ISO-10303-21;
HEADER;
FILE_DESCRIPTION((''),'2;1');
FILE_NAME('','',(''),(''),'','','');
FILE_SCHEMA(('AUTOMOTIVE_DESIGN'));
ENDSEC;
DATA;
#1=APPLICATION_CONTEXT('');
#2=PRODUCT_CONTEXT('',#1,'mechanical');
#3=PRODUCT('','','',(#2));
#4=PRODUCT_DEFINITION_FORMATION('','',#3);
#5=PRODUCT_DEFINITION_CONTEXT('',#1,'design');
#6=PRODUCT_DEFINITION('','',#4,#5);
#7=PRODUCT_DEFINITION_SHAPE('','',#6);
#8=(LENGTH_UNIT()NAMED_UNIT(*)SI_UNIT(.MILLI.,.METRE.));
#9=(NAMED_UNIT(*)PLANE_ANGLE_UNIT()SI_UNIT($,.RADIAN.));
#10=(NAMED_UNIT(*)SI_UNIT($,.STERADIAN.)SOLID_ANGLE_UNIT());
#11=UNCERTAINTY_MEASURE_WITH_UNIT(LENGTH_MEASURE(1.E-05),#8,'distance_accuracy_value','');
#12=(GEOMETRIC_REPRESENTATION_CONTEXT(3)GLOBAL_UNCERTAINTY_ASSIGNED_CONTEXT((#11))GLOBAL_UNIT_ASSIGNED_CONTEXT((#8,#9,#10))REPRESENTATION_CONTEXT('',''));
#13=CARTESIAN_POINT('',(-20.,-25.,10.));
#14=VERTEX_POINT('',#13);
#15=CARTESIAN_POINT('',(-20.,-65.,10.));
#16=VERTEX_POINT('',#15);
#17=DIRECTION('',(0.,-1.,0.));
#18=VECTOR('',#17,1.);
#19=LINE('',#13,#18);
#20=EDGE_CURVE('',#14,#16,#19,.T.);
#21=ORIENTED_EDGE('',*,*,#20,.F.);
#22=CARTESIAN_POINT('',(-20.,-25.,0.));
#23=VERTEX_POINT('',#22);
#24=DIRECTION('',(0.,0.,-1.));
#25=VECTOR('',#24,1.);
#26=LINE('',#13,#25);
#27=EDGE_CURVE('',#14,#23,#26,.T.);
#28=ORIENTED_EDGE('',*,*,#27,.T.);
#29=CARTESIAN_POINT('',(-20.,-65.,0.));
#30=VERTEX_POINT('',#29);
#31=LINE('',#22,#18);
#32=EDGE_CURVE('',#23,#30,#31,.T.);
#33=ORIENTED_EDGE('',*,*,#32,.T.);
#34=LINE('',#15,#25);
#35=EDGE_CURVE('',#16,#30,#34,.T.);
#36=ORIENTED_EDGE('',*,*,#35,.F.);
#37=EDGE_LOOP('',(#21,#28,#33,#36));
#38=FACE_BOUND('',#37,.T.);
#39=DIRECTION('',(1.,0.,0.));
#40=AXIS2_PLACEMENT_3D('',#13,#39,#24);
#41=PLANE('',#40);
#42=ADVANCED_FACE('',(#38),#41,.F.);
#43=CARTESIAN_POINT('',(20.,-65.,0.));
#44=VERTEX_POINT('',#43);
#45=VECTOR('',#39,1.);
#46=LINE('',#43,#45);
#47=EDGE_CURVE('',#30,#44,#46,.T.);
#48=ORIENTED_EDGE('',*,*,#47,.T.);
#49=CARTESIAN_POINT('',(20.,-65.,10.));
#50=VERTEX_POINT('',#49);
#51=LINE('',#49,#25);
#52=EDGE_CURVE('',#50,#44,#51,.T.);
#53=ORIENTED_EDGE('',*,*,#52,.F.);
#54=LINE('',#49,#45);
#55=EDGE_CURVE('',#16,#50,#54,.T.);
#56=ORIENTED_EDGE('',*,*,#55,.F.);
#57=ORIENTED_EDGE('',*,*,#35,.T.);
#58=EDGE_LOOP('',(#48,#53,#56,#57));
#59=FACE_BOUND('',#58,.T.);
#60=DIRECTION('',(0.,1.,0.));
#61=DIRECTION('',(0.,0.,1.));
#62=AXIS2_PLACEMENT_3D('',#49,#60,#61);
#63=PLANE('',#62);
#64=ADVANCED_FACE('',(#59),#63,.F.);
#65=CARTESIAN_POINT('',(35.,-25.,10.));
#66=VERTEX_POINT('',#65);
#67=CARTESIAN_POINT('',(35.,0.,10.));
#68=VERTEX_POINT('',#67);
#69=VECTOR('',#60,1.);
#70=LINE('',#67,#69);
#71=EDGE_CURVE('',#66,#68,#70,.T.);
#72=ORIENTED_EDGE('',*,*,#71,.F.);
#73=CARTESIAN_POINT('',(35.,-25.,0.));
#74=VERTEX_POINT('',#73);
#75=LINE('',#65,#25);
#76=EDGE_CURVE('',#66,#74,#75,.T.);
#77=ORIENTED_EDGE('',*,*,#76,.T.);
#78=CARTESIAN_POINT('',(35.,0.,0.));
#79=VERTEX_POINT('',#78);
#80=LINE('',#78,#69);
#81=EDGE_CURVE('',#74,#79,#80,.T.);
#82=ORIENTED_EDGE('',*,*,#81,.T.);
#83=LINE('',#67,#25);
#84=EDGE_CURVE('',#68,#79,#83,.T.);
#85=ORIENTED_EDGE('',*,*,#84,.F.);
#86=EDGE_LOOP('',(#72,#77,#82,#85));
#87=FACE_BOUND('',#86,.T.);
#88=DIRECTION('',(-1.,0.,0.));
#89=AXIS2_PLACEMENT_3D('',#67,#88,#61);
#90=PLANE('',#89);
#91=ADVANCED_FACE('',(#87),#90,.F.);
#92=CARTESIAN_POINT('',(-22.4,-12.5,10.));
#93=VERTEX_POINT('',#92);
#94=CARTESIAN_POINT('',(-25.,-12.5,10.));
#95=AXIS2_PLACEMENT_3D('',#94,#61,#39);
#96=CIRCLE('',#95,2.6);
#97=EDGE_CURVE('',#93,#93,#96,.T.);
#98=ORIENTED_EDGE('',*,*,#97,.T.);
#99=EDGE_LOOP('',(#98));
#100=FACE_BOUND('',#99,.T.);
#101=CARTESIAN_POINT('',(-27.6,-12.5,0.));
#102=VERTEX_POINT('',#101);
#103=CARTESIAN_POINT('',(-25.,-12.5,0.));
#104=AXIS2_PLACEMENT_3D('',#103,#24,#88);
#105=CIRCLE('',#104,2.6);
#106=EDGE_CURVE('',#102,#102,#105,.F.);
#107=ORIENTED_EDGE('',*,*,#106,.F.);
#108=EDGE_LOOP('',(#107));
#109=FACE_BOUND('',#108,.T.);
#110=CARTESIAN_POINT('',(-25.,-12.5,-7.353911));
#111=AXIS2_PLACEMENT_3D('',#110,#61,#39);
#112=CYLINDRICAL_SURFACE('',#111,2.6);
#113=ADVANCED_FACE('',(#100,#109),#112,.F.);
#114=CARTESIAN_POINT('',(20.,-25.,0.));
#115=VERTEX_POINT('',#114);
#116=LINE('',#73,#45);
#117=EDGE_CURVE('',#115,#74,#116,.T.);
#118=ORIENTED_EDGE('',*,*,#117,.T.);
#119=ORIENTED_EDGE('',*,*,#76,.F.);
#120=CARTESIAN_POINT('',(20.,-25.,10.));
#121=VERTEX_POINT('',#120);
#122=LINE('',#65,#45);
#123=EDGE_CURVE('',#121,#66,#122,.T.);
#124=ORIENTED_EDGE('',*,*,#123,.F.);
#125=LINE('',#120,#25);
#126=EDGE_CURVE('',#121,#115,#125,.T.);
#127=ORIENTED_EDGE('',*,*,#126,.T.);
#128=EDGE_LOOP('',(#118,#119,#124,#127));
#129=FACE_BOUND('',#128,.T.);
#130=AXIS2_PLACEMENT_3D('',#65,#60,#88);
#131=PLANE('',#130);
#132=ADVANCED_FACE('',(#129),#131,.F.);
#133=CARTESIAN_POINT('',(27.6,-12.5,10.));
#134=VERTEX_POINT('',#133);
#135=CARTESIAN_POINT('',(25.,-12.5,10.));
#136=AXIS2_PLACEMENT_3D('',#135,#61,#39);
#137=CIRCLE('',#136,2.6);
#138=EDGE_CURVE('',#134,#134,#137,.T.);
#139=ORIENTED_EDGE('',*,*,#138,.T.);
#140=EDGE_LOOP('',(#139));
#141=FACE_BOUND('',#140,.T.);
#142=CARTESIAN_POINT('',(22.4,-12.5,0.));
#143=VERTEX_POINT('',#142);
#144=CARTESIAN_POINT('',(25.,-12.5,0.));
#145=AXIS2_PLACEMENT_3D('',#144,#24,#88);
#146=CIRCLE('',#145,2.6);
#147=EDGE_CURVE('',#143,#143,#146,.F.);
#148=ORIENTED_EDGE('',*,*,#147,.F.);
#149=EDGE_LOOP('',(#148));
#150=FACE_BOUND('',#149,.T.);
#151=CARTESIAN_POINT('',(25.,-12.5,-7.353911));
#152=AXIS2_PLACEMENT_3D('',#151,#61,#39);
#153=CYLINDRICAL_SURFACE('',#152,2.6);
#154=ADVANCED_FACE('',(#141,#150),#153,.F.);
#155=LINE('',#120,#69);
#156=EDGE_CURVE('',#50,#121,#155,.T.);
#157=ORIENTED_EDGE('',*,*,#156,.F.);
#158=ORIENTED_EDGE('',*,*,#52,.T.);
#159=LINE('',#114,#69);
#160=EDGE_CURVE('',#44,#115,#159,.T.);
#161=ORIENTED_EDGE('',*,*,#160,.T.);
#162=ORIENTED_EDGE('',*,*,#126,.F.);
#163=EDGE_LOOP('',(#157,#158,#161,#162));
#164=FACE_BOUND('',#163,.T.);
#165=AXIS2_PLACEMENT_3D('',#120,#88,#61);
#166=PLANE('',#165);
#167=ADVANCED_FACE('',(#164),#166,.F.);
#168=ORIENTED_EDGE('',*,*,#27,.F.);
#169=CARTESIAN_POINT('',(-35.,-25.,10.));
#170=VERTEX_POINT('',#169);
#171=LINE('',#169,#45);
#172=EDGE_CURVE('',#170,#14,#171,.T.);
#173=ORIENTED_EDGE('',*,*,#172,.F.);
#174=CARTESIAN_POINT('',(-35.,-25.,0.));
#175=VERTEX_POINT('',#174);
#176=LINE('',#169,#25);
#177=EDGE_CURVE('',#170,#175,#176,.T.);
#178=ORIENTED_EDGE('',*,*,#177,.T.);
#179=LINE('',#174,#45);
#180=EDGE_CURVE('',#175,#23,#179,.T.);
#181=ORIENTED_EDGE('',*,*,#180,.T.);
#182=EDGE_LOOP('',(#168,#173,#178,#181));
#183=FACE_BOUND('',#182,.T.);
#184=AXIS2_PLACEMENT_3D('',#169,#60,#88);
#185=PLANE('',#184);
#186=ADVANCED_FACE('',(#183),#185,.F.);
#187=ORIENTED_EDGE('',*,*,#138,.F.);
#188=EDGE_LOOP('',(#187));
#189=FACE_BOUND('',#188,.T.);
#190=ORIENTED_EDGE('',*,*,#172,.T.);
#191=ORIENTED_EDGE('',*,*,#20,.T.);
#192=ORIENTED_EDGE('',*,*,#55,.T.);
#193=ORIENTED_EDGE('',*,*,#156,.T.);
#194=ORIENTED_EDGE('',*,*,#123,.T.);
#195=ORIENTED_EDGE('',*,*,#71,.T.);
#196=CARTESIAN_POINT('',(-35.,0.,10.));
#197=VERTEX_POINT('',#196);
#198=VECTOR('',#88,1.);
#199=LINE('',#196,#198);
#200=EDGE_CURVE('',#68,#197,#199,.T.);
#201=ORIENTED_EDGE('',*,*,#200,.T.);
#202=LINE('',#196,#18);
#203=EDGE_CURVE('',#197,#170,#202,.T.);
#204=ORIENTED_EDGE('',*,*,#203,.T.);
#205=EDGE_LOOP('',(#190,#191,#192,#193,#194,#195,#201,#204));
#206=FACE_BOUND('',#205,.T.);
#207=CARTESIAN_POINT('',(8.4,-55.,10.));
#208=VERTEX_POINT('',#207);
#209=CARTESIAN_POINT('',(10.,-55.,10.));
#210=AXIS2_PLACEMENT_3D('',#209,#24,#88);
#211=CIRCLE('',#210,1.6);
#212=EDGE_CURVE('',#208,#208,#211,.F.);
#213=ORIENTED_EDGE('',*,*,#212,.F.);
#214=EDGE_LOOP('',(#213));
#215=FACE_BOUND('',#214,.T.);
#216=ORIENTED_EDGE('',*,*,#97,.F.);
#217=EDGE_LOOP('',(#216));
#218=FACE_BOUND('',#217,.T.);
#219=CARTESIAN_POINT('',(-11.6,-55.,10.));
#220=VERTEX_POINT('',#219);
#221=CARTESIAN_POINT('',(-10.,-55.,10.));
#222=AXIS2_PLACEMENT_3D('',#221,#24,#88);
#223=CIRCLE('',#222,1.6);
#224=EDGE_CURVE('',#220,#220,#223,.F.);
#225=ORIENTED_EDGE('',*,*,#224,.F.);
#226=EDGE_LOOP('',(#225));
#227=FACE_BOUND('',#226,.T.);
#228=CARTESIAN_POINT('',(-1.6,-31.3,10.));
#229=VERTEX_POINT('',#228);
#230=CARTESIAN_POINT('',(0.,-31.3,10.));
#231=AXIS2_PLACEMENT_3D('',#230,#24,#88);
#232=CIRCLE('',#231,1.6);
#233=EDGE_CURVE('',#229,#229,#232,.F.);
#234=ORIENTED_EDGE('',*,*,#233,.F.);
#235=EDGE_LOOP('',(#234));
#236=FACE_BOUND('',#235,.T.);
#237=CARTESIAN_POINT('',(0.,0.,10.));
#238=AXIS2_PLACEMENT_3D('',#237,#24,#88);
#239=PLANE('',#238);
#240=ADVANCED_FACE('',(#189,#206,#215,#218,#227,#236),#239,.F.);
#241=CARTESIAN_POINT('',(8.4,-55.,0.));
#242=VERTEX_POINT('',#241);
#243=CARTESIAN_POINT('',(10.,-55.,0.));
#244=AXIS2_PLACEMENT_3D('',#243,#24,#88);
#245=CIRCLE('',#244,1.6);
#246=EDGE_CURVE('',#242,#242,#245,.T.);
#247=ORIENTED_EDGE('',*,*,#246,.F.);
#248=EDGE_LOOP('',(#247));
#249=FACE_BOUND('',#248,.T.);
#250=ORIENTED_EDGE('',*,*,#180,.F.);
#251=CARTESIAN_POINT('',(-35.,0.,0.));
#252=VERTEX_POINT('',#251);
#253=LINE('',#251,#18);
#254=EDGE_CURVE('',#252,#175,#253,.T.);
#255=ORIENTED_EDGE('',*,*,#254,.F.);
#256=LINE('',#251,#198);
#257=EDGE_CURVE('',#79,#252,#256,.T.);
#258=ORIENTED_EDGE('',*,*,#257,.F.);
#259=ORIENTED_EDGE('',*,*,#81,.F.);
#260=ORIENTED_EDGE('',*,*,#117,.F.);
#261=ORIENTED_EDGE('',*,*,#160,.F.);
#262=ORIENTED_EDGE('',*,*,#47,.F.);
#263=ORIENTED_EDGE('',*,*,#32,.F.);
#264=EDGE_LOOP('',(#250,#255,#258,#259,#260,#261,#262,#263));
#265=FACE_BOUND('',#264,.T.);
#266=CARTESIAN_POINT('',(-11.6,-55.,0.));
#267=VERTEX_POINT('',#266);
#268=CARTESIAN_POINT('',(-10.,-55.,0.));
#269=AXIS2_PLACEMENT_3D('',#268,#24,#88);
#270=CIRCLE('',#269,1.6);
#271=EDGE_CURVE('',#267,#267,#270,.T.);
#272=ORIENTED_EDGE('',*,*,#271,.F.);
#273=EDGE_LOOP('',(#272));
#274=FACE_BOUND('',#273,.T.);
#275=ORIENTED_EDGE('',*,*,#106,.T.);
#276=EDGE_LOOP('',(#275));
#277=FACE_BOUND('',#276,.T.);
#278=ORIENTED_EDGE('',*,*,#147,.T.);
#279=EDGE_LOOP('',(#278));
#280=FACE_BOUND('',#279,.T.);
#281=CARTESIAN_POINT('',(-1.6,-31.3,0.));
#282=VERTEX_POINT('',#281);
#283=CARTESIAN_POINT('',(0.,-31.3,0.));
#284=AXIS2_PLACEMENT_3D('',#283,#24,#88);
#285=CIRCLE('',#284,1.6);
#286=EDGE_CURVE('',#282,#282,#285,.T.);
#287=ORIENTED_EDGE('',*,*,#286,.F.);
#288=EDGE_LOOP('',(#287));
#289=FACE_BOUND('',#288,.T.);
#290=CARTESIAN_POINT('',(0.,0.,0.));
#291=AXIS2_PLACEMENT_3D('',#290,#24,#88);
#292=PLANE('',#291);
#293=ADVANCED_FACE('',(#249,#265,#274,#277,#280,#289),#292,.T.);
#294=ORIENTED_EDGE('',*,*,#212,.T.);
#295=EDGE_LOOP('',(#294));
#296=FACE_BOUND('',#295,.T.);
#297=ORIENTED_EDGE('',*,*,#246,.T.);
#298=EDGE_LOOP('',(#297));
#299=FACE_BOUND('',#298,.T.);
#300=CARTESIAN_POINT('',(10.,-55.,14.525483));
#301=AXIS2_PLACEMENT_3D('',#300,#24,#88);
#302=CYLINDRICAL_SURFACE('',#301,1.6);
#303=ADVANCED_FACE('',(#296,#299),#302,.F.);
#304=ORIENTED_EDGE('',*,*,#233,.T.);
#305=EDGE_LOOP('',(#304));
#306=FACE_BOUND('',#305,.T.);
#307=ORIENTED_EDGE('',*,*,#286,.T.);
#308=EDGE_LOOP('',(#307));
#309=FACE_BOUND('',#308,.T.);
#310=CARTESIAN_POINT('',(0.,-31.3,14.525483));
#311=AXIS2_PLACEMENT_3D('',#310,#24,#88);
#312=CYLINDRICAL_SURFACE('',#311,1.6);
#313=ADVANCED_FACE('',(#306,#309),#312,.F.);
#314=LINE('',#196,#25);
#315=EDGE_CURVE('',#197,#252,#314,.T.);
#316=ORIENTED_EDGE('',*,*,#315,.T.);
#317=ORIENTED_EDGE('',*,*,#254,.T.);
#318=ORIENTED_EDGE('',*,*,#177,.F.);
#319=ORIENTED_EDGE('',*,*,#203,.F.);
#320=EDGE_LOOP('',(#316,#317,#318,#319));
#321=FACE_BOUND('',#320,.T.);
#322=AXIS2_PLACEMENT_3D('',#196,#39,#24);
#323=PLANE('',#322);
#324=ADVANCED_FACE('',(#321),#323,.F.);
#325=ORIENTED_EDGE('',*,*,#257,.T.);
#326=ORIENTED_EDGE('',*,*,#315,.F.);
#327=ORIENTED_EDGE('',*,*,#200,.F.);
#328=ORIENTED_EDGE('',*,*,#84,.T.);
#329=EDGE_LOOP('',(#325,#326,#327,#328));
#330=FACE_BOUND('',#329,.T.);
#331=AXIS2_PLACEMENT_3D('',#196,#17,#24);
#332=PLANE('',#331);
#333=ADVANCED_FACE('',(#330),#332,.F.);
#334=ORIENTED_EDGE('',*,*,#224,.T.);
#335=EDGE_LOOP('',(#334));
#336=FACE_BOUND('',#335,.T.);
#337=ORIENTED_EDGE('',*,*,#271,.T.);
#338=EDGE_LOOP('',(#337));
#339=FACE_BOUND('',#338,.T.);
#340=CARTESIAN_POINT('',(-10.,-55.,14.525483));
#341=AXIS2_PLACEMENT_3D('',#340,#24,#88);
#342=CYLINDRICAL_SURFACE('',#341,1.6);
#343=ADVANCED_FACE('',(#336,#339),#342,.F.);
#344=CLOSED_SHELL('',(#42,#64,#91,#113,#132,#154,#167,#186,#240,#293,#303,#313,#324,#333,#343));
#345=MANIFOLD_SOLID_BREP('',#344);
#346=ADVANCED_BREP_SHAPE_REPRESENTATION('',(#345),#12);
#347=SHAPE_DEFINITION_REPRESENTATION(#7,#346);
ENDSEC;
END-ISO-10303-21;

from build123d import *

# Parameters (mm, degrees)
BOSS_EXTRUDE1_DEPTH = 10
SKETCH6_R           = 1.6
CUT_EXTRUDE1_DEPTH  = 10
SKETCH7_R           = 1.6
CUT_EXTRUDE2_DEPTH  = 10
SKETCH9_R           = 2.6
CUT_EXTRUDE4_DEPTH  = 10


with BuildPart() as part:
    # Sketch1 → Boss-Extrude1 (new body)
    with BuildSketch(Plane.XY):
        Polygon((-35, 0), (35, 0), (35, -25), (20, -25), (20, -65), (-20, -65), (-20, -25), (-35, -25), align=None)
    extrude(amount=BOSS_EXTRUDE1_DEPTH)

    # Sketch6 → Cut-Extrude1 (cut)
    with BuildSketch(Plane(origin=(0, 0, 0), x_dir=(-1, 0, 0), z_dir=(0, 0, -1))):
        with Locations((10, -55)):
            Circle(SKETCH6_R)
        with Locations((-10, -55)):
            Circle(SKETCH6_R)
    extrude(amount=-CUT_EXTRUDE1_DEPTH, mode=Mode.SUBTRACT)

    # Sketch7 → Cut-Extrude2 (cut)
    with BuildSketch(Plane(origin=(0, 0, 0), x_dir=(-1, 0, 0), z_dir=(0, 0, -1))):
        with Locations((0, -31.3)):
            Circle(SKETCH7_R)
    extrude(amount=-CUT_EXTRUDE2_DEPTH, mode=Mode.SUBTRACT)

    # Sketch9 → Cut-Extrude4 (cut)
    with BuildSketch(Plane.XY.offset(10)):
        with Locations((-25, -12.5)):
            Circle(SKETCH9_R)
        with Locations((25, -12.5)):
            Circle(SKETCH9_R)
    extrude(amount=-CUT_EXTRUDE4_DEPTH, mode=Mode.SUBTRACT)


solid = part.part
